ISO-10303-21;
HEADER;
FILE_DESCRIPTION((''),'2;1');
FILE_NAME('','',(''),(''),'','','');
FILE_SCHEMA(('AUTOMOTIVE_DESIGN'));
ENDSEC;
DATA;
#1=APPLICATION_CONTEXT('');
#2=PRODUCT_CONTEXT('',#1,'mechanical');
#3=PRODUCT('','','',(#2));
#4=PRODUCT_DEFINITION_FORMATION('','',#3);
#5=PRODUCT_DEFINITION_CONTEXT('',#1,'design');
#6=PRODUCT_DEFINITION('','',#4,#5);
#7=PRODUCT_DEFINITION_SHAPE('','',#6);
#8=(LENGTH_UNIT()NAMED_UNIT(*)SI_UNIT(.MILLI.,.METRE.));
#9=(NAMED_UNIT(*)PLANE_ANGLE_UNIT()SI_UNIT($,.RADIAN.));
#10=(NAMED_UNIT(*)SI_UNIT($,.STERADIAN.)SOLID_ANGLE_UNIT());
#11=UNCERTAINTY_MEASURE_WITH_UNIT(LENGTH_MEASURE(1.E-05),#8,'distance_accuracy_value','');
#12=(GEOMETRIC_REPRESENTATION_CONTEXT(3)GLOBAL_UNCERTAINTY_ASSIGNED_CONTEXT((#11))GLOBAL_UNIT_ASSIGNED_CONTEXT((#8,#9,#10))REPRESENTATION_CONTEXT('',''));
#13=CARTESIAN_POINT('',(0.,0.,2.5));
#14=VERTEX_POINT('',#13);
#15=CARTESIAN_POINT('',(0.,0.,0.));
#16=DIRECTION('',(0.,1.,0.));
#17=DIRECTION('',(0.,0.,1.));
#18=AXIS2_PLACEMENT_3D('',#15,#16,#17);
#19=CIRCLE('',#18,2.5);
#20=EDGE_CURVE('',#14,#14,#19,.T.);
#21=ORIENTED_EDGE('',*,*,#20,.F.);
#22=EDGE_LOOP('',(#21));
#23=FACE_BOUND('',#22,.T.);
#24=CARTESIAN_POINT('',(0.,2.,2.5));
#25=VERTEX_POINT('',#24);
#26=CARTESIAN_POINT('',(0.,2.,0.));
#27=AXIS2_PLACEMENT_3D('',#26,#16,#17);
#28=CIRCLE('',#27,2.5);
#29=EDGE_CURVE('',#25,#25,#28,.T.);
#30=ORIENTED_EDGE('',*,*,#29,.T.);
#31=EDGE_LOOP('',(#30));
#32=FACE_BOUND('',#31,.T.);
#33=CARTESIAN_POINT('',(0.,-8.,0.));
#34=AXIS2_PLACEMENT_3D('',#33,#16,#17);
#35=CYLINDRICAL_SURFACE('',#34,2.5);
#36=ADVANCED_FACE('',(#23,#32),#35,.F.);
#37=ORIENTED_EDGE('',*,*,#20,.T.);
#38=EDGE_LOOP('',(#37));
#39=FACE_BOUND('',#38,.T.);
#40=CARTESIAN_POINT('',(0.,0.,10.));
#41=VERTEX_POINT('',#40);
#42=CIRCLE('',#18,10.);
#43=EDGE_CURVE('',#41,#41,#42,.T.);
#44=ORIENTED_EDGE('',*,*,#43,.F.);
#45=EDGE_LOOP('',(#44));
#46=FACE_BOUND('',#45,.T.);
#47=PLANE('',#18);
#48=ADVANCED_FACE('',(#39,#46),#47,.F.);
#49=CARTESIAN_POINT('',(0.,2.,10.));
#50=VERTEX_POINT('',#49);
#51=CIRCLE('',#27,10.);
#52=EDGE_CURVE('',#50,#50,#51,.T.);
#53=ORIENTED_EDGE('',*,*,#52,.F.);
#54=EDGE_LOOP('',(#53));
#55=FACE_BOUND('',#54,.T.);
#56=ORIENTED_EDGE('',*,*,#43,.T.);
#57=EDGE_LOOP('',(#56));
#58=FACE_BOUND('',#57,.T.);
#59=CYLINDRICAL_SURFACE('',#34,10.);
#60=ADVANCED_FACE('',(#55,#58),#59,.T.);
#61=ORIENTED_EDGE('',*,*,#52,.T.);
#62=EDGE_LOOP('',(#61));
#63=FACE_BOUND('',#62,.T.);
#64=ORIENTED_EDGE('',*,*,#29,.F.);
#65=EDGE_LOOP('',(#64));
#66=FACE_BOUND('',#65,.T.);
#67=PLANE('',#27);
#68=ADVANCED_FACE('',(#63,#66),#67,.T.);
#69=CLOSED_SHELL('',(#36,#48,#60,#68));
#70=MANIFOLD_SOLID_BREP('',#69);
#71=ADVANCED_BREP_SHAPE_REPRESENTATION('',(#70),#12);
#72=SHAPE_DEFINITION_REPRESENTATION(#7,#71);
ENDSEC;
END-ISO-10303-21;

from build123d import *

# Parameters (mm, degrees)
SKETCH1_R           = 12.5
SKETCH1_R_2         = 2.125
BOSS_EXTRUDE1_DEPTH = 2
SKETCH2_R           = 2.5
CUT_EXTRUDE1_DEPTH  = 10
CUT_EXTRUDE2_START  = -10
SKETCH3_R           = 12.5
SKETCH3_R_2         = 10
CUT_EXTRUDE2_DEPTH  = 10


with BuildPart() as part:
    # Sketch1 → Boss-Extrude1 (new body)
    with BuildSketch(Plane(origin=(0, 0, 0), x_dir=(1, 0, 0), z_dir=(0, 1, 0))):
        with Locations(Location((0, 0, 0), (0, 0, 270))):
            Circle(SKETCH1_R)
        with Locations(Location((0, 0, 0), (0, 0, 270))):
            Circle(SKETCH1_R_2, mode=Mode.SUBTRACT)
    extrude(amount=BOSS_EXTRUDE1_DEPTH)

    # Sketch2 → Cut-Extrude1 (cut)
    with BuildSketch(Plane(origin=(0, 2, 0), x_dir=(1, 0, 0), z_dir=(0, 1, 0))):
        with Locations(Location((0, 0, 0), (0, 0, 270))):
            Circle(SKETCH2_R)
    extrude(amount=-CUT_EXTRUDE1_DEPTH, mode=Mode.SUBTRACT)

    # Sketch3 → Cut-Extrude2 (cut)
    with BuildSketch(Plane(origin=(0, 2, 0), x_dir=(1, 0, 0), z_dir=(0, 1, 0)).offset(CUT_EXTRUDE2_START)):
        Circle(SKETCH3_R)
        with Locations(Location((0, 0, 0), (0, 0, 270))):
            Circle(SKETCH3_R_2, mode=Mode.SUBTRACT)
    extrude(amount=CUT_EXTRUDE2_DEPTH, mode=Mode.SUBTRACT)


solid = part.part
